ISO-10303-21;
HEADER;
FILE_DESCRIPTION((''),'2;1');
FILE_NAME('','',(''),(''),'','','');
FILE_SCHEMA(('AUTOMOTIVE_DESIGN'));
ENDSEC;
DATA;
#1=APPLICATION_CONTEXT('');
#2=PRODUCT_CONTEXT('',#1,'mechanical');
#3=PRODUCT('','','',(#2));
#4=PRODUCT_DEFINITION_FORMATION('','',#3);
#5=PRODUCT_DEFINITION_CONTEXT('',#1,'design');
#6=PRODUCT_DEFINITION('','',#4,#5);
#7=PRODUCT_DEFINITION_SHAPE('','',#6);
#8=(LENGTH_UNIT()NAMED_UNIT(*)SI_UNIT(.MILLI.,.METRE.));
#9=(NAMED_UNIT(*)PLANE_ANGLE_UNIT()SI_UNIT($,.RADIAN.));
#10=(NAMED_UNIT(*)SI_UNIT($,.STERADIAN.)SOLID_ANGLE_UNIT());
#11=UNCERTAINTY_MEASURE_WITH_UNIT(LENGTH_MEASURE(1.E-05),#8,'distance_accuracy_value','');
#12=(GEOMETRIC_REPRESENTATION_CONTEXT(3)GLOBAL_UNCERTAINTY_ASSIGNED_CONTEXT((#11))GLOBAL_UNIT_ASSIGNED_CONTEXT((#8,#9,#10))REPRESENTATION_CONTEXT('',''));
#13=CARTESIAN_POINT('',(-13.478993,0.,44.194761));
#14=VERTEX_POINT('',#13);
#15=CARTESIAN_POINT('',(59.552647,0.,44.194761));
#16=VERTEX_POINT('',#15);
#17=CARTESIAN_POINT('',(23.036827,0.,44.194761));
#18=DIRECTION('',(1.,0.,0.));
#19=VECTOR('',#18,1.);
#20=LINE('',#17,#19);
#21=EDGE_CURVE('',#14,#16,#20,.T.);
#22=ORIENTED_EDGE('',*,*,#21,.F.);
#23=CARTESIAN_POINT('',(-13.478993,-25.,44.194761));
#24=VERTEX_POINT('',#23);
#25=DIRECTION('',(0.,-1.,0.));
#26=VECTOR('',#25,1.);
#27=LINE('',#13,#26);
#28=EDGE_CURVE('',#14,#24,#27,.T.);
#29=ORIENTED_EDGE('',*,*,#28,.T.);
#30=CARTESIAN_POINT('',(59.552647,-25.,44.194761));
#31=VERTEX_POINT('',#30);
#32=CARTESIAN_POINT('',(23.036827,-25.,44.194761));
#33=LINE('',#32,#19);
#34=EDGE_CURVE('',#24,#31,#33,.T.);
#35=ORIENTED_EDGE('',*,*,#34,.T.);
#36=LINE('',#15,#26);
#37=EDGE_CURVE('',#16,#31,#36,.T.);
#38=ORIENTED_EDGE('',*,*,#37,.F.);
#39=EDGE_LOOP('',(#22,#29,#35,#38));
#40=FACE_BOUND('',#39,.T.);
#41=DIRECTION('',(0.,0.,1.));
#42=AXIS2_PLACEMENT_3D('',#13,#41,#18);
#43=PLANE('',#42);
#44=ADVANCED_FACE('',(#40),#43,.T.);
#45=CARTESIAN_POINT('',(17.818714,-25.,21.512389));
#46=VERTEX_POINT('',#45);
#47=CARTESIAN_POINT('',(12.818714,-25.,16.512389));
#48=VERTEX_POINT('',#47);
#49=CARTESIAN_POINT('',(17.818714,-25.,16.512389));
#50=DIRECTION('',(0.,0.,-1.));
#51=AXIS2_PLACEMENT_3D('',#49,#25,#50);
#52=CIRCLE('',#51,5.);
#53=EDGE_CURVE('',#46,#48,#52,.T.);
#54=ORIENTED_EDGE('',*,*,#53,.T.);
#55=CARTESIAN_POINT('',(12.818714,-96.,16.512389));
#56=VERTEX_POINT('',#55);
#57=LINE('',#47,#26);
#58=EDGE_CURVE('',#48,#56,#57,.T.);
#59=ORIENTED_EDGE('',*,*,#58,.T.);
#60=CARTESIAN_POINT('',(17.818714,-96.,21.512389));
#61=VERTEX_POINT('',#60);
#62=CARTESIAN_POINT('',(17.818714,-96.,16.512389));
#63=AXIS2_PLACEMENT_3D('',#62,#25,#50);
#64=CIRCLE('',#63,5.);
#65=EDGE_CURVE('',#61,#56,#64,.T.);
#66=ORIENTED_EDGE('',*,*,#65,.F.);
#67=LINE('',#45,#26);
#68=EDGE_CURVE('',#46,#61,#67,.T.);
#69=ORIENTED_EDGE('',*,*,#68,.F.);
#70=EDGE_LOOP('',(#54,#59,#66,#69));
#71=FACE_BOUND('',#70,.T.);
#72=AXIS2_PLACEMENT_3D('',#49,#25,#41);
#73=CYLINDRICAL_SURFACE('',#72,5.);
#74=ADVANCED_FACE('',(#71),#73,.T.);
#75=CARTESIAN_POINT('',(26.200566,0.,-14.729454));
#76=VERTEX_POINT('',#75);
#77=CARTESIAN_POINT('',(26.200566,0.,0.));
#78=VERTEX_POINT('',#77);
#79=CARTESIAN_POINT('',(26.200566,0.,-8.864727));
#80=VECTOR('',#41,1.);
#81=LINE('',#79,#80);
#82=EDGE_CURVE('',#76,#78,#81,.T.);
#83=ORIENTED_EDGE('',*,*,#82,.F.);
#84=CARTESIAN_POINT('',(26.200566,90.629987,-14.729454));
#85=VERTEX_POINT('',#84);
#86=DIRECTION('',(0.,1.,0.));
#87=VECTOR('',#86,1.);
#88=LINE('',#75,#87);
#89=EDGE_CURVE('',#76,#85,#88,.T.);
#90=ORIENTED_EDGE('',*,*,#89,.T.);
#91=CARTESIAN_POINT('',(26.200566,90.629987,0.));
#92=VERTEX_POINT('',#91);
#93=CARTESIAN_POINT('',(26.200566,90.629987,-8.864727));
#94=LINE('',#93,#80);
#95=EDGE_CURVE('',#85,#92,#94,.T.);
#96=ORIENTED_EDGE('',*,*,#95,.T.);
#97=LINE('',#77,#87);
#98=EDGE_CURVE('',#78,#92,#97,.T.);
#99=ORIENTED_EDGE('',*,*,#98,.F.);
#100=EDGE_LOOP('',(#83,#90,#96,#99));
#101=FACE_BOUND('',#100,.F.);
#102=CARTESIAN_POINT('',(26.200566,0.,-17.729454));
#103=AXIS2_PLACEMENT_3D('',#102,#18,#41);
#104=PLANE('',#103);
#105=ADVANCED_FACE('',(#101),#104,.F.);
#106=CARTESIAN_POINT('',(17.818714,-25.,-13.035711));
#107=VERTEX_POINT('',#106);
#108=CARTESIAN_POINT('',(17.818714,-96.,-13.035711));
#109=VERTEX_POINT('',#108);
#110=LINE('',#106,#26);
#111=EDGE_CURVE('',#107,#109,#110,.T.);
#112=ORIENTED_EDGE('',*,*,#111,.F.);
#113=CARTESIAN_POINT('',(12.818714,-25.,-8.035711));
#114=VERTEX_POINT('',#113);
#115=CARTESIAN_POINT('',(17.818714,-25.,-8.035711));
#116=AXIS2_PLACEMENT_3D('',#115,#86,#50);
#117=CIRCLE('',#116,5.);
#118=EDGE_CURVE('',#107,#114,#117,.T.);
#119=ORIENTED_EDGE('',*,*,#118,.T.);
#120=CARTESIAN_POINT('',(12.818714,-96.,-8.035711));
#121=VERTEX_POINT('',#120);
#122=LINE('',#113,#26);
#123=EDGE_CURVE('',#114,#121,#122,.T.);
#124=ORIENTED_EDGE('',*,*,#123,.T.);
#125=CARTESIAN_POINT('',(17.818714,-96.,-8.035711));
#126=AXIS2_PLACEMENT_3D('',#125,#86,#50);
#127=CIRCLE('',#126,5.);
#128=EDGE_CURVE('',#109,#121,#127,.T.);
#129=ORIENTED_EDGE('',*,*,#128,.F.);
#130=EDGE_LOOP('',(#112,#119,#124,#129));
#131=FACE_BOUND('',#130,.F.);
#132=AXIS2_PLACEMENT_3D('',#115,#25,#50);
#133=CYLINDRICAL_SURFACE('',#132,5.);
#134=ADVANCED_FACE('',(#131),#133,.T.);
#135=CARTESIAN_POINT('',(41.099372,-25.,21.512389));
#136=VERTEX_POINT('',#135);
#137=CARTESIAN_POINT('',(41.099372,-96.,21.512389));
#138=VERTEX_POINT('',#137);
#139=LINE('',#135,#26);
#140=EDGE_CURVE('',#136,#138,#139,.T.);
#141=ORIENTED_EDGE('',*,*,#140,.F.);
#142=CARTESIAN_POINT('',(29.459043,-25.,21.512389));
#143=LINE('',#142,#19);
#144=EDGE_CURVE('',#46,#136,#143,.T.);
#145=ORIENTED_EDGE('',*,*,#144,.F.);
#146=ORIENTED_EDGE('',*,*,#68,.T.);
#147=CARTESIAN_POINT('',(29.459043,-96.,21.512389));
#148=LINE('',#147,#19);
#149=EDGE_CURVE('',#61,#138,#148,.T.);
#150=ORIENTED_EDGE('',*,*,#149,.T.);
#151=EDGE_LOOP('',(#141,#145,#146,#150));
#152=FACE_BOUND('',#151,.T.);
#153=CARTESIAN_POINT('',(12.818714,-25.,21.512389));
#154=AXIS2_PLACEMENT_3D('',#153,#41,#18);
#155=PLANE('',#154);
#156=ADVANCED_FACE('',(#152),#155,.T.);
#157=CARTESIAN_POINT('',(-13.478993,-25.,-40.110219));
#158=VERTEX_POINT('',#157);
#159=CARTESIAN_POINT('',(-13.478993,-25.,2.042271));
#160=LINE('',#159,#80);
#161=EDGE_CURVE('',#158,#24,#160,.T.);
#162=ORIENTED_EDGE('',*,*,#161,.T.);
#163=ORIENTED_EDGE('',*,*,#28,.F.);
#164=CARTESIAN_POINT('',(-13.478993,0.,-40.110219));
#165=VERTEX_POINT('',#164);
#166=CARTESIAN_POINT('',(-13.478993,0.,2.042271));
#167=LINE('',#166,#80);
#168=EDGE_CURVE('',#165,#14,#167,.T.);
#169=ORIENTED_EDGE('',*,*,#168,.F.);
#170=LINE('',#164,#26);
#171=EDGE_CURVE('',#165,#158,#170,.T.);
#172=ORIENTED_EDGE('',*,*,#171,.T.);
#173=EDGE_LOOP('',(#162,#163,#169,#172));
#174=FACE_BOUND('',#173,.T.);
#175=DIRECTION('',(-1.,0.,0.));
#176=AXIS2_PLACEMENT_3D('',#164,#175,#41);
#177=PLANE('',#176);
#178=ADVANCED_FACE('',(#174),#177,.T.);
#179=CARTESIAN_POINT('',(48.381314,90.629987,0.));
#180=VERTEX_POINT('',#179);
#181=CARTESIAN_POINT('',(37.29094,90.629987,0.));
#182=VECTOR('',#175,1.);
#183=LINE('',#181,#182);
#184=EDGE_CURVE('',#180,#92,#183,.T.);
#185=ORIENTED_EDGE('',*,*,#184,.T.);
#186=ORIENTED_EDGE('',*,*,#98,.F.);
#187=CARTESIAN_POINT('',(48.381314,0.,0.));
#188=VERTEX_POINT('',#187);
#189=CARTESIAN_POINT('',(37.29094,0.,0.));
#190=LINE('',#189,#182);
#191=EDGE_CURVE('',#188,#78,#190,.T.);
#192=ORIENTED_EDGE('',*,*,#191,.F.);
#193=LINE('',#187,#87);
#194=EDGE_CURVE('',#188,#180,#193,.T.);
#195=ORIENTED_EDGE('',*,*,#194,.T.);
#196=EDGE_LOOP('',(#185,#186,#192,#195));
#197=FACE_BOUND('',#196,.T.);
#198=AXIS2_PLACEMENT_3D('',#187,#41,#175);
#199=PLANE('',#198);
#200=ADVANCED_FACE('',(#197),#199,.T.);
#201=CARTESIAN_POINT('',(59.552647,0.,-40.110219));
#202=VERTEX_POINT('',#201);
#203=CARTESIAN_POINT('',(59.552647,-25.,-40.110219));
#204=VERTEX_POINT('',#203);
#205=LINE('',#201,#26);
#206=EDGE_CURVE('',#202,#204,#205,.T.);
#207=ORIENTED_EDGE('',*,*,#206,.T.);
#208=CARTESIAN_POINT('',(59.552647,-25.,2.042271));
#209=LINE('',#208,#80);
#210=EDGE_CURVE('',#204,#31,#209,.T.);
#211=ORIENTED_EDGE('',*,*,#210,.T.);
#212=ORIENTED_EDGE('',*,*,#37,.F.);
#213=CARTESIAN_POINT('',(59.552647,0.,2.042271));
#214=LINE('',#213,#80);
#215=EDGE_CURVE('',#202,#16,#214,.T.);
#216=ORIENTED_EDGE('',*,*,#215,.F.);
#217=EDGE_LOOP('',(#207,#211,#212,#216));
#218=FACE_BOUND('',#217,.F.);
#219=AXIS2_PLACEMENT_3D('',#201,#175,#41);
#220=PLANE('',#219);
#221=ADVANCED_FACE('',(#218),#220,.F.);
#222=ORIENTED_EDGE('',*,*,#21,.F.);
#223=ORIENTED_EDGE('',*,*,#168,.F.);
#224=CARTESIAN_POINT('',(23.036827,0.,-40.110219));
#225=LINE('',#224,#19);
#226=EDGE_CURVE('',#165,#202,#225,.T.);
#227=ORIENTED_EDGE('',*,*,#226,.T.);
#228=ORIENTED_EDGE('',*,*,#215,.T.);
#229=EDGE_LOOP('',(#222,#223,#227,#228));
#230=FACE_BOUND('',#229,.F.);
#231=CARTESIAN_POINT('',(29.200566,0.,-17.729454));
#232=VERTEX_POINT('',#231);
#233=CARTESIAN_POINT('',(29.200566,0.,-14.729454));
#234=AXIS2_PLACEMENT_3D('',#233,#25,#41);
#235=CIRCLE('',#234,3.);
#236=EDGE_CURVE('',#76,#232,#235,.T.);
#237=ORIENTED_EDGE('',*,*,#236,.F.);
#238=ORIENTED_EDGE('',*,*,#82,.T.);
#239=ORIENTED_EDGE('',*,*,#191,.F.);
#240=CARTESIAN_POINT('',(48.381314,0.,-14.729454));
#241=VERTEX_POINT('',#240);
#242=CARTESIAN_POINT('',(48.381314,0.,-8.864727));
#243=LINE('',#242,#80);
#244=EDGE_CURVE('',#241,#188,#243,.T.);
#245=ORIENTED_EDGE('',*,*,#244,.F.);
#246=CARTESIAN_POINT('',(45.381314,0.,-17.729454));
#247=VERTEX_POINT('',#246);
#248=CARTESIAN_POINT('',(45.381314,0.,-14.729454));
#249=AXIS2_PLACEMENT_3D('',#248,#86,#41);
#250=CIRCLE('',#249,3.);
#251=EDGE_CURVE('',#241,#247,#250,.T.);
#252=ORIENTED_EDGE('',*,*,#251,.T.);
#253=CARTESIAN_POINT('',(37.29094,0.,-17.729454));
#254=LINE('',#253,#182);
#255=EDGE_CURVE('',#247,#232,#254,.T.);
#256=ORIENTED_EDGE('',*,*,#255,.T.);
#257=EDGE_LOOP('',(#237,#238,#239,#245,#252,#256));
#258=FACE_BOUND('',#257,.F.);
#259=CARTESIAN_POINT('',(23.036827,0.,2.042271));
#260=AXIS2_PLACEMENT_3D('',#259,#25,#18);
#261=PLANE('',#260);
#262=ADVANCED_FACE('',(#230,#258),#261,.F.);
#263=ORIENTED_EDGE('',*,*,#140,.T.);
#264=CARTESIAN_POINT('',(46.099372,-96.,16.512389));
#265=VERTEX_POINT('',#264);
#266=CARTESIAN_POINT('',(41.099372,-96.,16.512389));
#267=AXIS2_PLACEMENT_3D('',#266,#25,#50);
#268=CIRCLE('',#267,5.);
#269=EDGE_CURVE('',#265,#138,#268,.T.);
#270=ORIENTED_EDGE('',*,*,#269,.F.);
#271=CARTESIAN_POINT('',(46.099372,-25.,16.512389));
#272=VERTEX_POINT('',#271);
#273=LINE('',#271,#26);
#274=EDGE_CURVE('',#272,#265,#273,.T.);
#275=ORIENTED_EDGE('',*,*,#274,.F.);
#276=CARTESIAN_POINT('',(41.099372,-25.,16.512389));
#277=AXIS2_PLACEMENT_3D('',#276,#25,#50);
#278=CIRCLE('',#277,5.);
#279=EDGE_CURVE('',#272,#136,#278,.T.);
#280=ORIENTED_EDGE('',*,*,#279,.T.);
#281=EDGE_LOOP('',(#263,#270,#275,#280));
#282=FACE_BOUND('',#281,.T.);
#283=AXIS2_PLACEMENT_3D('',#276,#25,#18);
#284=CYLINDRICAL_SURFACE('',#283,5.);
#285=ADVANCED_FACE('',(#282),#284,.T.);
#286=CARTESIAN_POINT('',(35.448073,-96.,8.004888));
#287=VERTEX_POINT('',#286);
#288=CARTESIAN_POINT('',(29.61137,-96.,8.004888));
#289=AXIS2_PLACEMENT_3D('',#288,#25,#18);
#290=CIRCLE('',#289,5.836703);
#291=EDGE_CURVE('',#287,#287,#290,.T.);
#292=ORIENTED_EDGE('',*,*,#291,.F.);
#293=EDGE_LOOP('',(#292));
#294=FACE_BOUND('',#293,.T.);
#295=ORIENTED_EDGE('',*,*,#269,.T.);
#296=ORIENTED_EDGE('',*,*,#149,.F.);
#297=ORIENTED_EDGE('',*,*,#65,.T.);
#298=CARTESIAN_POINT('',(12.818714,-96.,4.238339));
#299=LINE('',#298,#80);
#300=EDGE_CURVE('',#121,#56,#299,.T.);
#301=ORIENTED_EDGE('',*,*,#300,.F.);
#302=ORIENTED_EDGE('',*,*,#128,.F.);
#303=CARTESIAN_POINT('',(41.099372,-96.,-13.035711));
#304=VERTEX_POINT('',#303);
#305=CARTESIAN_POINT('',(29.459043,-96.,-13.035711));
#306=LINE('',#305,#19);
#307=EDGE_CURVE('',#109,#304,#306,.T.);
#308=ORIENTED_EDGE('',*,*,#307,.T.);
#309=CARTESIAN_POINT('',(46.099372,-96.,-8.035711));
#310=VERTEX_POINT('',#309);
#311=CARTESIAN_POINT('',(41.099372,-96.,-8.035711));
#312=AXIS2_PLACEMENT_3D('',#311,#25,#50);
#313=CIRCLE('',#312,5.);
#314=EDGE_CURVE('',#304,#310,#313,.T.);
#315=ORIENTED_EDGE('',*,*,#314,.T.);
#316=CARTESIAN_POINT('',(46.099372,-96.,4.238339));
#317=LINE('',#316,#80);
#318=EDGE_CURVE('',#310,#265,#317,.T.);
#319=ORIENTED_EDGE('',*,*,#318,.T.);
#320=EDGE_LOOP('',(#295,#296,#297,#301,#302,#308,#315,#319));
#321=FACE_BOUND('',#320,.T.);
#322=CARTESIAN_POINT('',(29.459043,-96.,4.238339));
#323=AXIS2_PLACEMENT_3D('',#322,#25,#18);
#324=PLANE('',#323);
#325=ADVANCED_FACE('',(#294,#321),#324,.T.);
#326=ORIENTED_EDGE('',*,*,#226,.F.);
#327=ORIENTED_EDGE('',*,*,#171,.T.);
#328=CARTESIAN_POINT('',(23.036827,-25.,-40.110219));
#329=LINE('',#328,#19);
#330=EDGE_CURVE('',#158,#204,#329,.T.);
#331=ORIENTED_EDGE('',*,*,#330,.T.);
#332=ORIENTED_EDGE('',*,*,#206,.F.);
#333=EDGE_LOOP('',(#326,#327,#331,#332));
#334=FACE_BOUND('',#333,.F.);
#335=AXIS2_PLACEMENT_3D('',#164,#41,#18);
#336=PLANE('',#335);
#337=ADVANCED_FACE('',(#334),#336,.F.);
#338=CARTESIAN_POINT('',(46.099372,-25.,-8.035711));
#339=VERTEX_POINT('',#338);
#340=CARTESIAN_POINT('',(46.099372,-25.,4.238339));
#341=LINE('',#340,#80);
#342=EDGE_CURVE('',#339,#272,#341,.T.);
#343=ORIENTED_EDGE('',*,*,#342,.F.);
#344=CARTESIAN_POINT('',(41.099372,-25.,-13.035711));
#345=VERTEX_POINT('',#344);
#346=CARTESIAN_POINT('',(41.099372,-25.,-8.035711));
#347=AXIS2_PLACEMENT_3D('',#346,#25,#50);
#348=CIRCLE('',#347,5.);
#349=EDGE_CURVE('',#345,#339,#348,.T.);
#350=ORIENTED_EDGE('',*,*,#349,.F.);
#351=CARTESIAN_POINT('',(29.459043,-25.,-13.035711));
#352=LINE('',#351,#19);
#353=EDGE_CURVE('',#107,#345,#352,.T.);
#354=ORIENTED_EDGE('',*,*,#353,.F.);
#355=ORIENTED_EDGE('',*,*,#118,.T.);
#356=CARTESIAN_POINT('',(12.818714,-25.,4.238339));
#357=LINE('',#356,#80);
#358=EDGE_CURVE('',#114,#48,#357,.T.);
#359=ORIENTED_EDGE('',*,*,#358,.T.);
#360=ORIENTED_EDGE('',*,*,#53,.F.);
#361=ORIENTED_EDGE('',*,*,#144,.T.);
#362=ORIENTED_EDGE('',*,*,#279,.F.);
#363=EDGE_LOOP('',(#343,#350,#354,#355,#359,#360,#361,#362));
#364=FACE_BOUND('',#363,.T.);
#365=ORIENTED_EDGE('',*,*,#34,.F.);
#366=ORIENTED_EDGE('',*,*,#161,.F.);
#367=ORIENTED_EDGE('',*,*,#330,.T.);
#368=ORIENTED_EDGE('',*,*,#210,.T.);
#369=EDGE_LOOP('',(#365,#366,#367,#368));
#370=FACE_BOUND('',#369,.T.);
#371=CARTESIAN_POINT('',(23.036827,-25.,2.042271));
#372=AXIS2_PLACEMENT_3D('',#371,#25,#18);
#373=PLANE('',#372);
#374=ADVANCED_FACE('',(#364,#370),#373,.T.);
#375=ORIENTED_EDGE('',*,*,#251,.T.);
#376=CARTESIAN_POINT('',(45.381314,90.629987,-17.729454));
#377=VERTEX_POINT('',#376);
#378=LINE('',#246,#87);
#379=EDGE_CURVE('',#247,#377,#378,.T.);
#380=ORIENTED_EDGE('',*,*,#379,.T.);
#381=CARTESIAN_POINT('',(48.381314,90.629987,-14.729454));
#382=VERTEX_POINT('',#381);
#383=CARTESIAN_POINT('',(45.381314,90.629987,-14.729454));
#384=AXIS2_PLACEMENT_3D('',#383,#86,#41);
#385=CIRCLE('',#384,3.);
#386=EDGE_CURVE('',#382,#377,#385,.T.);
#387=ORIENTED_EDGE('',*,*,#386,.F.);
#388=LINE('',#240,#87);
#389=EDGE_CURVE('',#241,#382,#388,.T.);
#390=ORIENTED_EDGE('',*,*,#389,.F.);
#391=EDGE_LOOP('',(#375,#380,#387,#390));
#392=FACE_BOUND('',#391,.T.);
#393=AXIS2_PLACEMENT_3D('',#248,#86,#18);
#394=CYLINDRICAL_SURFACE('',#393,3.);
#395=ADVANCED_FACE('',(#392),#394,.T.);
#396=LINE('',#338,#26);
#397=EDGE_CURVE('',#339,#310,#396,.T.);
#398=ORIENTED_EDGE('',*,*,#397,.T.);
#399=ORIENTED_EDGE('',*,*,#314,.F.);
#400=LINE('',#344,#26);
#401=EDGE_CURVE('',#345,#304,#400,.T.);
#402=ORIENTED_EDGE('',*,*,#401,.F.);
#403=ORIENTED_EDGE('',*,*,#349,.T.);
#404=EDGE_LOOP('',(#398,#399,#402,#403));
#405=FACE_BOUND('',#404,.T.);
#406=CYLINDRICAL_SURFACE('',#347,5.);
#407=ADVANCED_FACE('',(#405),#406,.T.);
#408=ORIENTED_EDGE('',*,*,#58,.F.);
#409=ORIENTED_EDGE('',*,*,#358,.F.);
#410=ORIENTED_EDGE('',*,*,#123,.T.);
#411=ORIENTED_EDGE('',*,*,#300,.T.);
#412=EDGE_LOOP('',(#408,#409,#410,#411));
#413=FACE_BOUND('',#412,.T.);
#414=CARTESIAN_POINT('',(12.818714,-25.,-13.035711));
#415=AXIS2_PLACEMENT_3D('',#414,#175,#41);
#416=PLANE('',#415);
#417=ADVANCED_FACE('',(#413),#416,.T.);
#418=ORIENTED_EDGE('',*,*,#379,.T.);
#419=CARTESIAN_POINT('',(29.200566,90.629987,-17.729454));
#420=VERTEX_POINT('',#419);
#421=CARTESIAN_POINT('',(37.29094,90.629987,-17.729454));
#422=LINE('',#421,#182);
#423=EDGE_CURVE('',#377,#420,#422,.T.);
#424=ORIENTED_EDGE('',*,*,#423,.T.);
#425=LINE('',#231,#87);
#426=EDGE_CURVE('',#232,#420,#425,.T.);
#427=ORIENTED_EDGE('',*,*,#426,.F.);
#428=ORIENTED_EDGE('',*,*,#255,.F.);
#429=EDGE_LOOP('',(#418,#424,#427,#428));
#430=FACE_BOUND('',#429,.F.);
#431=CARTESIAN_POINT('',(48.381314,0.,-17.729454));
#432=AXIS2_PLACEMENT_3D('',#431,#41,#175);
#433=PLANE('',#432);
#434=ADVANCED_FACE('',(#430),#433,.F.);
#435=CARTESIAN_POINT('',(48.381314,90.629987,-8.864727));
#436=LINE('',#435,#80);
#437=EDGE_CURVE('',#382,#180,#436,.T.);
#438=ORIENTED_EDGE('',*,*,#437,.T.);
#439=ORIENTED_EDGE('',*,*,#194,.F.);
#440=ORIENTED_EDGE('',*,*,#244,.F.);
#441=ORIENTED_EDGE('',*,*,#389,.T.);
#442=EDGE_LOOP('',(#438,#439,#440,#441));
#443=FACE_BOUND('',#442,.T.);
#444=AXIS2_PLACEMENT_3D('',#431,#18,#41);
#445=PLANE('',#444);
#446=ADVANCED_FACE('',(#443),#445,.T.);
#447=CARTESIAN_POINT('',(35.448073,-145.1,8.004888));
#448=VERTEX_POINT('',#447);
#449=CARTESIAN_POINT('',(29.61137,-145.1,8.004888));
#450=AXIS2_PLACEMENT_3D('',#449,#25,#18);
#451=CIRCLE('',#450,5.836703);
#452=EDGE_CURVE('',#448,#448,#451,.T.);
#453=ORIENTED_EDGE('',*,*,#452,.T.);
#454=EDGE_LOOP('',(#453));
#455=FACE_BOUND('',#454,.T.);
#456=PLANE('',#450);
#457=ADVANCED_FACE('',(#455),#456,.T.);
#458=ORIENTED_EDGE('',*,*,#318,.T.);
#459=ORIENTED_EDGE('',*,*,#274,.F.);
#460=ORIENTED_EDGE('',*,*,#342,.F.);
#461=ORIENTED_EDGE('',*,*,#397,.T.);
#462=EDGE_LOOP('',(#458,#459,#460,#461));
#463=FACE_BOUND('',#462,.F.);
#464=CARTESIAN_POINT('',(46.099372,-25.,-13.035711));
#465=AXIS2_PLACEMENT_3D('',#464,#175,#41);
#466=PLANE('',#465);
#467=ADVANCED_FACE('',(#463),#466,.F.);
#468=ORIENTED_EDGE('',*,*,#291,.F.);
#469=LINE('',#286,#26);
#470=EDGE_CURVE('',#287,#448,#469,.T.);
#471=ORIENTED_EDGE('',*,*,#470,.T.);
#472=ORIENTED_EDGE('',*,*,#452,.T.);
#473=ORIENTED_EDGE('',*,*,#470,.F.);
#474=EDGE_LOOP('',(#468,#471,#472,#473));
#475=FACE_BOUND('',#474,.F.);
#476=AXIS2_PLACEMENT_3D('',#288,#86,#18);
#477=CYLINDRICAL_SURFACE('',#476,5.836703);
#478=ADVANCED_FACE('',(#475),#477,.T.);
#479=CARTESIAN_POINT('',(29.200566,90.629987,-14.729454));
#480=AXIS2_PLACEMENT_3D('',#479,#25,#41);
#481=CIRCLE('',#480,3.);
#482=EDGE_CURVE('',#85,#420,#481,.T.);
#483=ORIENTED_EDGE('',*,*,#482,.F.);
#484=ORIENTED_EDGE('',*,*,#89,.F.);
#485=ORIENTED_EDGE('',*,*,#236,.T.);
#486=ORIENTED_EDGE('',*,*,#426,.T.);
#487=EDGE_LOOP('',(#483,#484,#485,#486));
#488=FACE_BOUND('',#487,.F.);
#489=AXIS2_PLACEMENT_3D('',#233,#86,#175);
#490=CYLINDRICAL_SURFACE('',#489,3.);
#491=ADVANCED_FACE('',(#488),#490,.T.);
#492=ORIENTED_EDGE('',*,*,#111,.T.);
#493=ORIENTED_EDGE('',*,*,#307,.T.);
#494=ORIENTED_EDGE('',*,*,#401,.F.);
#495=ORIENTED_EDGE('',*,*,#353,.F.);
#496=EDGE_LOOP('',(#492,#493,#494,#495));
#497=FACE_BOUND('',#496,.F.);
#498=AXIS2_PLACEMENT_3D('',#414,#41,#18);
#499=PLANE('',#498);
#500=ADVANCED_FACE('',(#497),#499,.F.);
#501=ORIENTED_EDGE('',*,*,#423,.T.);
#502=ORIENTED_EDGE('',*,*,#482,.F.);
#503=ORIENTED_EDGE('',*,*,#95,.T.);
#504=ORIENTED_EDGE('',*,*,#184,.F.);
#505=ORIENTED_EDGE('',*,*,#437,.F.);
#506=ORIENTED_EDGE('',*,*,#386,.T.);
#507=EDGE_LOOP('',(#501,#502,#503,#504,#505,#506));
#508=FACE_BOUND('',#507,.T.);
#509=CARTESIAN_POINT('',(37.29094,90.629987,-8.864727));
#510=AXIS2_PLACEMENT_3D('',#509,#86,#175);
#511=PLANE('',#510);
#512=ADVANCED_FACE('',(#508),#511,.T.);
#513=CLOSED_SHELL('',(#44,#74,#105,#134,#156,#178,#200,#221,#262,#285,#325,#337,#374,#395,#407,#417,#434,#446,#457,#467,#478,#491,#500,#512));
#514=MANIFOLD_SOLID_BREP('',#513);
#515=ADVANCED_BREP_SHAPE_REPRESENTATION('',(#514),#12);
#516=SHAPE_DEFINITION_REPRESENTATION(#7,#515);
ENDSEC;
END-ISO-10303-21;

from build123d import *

# Parameters (mm, degrees)
F0_W     = 73.031641
F0_H     = 84.304981
F1_DEPTH = 25
F2_W     = 33.280658
F2_H     = 34.5481
F3_DEPTH = 71
F4_R     = 5
F5_R     = 5.836703
F6_DEPTH = 49.1
F7_W     = 22.180748
F7_H     = 17.729454
F8_DEPTH = 90.629987
F9_R     = 3


with BuildPart() as f1:
    # F0 (on Front) → F1 (new body)
    with BuildSketch(Plane.XZ):
        with Locations((23.036827, 2.042271)):
            Rectangle(F0_W, F0_H)
    extrude(amount=F1_DEPTH)

    # F2 (on face) → F3 (join)
    with BuildSketch(Plane.XZ.offset(25)):
        with Locations((29.459043, 4.238339)):
            Rectangle(F2_W, F2_H)
    extrude(amount=F3_DEPTH)

    # F4
    f4_edges = [f1.edges().sort_by_distance(p)[0] for p in [
        (46.099372, -60.5, -13.035711),
        (46.099372, -60.5, 21.512389),
        (12.818714, -60.5, 21.512389),
        (12.818714, -60.5, -13.035711),
    ]]
    fillet(f4_edges, radius=F4_R)

    # F5 (on face) → F6 (join)
    with BuildSketch(Plane.XZ.offset(96)):
        with Locations((29.61137, 8.004888)):
            Circle(F5_R)
    extrude(amount=F6_DEPTH)

    # F7 (on face) → F8 (join)
    with BuildSketch(Plane(origin=(0, 0, 0), x_dir=(-1, 0, 0), z_dir=(0, 1, 0))):
        with Locations((-37.29094, -8.864727)):
            Rectangle(F7_W, F7_H)
    extrude(amount=F8_DEPTH)

    # F9
    f9_edges = [f1.edges().sort_by_distance(p)[0] for p in [
        (26.200566, 45.314994, -17.729454),
        (48.381314, 45.314994, -17.729454),
    ]]
    fillet(f9_edges, radius=F9_R)


solid = f1.part
